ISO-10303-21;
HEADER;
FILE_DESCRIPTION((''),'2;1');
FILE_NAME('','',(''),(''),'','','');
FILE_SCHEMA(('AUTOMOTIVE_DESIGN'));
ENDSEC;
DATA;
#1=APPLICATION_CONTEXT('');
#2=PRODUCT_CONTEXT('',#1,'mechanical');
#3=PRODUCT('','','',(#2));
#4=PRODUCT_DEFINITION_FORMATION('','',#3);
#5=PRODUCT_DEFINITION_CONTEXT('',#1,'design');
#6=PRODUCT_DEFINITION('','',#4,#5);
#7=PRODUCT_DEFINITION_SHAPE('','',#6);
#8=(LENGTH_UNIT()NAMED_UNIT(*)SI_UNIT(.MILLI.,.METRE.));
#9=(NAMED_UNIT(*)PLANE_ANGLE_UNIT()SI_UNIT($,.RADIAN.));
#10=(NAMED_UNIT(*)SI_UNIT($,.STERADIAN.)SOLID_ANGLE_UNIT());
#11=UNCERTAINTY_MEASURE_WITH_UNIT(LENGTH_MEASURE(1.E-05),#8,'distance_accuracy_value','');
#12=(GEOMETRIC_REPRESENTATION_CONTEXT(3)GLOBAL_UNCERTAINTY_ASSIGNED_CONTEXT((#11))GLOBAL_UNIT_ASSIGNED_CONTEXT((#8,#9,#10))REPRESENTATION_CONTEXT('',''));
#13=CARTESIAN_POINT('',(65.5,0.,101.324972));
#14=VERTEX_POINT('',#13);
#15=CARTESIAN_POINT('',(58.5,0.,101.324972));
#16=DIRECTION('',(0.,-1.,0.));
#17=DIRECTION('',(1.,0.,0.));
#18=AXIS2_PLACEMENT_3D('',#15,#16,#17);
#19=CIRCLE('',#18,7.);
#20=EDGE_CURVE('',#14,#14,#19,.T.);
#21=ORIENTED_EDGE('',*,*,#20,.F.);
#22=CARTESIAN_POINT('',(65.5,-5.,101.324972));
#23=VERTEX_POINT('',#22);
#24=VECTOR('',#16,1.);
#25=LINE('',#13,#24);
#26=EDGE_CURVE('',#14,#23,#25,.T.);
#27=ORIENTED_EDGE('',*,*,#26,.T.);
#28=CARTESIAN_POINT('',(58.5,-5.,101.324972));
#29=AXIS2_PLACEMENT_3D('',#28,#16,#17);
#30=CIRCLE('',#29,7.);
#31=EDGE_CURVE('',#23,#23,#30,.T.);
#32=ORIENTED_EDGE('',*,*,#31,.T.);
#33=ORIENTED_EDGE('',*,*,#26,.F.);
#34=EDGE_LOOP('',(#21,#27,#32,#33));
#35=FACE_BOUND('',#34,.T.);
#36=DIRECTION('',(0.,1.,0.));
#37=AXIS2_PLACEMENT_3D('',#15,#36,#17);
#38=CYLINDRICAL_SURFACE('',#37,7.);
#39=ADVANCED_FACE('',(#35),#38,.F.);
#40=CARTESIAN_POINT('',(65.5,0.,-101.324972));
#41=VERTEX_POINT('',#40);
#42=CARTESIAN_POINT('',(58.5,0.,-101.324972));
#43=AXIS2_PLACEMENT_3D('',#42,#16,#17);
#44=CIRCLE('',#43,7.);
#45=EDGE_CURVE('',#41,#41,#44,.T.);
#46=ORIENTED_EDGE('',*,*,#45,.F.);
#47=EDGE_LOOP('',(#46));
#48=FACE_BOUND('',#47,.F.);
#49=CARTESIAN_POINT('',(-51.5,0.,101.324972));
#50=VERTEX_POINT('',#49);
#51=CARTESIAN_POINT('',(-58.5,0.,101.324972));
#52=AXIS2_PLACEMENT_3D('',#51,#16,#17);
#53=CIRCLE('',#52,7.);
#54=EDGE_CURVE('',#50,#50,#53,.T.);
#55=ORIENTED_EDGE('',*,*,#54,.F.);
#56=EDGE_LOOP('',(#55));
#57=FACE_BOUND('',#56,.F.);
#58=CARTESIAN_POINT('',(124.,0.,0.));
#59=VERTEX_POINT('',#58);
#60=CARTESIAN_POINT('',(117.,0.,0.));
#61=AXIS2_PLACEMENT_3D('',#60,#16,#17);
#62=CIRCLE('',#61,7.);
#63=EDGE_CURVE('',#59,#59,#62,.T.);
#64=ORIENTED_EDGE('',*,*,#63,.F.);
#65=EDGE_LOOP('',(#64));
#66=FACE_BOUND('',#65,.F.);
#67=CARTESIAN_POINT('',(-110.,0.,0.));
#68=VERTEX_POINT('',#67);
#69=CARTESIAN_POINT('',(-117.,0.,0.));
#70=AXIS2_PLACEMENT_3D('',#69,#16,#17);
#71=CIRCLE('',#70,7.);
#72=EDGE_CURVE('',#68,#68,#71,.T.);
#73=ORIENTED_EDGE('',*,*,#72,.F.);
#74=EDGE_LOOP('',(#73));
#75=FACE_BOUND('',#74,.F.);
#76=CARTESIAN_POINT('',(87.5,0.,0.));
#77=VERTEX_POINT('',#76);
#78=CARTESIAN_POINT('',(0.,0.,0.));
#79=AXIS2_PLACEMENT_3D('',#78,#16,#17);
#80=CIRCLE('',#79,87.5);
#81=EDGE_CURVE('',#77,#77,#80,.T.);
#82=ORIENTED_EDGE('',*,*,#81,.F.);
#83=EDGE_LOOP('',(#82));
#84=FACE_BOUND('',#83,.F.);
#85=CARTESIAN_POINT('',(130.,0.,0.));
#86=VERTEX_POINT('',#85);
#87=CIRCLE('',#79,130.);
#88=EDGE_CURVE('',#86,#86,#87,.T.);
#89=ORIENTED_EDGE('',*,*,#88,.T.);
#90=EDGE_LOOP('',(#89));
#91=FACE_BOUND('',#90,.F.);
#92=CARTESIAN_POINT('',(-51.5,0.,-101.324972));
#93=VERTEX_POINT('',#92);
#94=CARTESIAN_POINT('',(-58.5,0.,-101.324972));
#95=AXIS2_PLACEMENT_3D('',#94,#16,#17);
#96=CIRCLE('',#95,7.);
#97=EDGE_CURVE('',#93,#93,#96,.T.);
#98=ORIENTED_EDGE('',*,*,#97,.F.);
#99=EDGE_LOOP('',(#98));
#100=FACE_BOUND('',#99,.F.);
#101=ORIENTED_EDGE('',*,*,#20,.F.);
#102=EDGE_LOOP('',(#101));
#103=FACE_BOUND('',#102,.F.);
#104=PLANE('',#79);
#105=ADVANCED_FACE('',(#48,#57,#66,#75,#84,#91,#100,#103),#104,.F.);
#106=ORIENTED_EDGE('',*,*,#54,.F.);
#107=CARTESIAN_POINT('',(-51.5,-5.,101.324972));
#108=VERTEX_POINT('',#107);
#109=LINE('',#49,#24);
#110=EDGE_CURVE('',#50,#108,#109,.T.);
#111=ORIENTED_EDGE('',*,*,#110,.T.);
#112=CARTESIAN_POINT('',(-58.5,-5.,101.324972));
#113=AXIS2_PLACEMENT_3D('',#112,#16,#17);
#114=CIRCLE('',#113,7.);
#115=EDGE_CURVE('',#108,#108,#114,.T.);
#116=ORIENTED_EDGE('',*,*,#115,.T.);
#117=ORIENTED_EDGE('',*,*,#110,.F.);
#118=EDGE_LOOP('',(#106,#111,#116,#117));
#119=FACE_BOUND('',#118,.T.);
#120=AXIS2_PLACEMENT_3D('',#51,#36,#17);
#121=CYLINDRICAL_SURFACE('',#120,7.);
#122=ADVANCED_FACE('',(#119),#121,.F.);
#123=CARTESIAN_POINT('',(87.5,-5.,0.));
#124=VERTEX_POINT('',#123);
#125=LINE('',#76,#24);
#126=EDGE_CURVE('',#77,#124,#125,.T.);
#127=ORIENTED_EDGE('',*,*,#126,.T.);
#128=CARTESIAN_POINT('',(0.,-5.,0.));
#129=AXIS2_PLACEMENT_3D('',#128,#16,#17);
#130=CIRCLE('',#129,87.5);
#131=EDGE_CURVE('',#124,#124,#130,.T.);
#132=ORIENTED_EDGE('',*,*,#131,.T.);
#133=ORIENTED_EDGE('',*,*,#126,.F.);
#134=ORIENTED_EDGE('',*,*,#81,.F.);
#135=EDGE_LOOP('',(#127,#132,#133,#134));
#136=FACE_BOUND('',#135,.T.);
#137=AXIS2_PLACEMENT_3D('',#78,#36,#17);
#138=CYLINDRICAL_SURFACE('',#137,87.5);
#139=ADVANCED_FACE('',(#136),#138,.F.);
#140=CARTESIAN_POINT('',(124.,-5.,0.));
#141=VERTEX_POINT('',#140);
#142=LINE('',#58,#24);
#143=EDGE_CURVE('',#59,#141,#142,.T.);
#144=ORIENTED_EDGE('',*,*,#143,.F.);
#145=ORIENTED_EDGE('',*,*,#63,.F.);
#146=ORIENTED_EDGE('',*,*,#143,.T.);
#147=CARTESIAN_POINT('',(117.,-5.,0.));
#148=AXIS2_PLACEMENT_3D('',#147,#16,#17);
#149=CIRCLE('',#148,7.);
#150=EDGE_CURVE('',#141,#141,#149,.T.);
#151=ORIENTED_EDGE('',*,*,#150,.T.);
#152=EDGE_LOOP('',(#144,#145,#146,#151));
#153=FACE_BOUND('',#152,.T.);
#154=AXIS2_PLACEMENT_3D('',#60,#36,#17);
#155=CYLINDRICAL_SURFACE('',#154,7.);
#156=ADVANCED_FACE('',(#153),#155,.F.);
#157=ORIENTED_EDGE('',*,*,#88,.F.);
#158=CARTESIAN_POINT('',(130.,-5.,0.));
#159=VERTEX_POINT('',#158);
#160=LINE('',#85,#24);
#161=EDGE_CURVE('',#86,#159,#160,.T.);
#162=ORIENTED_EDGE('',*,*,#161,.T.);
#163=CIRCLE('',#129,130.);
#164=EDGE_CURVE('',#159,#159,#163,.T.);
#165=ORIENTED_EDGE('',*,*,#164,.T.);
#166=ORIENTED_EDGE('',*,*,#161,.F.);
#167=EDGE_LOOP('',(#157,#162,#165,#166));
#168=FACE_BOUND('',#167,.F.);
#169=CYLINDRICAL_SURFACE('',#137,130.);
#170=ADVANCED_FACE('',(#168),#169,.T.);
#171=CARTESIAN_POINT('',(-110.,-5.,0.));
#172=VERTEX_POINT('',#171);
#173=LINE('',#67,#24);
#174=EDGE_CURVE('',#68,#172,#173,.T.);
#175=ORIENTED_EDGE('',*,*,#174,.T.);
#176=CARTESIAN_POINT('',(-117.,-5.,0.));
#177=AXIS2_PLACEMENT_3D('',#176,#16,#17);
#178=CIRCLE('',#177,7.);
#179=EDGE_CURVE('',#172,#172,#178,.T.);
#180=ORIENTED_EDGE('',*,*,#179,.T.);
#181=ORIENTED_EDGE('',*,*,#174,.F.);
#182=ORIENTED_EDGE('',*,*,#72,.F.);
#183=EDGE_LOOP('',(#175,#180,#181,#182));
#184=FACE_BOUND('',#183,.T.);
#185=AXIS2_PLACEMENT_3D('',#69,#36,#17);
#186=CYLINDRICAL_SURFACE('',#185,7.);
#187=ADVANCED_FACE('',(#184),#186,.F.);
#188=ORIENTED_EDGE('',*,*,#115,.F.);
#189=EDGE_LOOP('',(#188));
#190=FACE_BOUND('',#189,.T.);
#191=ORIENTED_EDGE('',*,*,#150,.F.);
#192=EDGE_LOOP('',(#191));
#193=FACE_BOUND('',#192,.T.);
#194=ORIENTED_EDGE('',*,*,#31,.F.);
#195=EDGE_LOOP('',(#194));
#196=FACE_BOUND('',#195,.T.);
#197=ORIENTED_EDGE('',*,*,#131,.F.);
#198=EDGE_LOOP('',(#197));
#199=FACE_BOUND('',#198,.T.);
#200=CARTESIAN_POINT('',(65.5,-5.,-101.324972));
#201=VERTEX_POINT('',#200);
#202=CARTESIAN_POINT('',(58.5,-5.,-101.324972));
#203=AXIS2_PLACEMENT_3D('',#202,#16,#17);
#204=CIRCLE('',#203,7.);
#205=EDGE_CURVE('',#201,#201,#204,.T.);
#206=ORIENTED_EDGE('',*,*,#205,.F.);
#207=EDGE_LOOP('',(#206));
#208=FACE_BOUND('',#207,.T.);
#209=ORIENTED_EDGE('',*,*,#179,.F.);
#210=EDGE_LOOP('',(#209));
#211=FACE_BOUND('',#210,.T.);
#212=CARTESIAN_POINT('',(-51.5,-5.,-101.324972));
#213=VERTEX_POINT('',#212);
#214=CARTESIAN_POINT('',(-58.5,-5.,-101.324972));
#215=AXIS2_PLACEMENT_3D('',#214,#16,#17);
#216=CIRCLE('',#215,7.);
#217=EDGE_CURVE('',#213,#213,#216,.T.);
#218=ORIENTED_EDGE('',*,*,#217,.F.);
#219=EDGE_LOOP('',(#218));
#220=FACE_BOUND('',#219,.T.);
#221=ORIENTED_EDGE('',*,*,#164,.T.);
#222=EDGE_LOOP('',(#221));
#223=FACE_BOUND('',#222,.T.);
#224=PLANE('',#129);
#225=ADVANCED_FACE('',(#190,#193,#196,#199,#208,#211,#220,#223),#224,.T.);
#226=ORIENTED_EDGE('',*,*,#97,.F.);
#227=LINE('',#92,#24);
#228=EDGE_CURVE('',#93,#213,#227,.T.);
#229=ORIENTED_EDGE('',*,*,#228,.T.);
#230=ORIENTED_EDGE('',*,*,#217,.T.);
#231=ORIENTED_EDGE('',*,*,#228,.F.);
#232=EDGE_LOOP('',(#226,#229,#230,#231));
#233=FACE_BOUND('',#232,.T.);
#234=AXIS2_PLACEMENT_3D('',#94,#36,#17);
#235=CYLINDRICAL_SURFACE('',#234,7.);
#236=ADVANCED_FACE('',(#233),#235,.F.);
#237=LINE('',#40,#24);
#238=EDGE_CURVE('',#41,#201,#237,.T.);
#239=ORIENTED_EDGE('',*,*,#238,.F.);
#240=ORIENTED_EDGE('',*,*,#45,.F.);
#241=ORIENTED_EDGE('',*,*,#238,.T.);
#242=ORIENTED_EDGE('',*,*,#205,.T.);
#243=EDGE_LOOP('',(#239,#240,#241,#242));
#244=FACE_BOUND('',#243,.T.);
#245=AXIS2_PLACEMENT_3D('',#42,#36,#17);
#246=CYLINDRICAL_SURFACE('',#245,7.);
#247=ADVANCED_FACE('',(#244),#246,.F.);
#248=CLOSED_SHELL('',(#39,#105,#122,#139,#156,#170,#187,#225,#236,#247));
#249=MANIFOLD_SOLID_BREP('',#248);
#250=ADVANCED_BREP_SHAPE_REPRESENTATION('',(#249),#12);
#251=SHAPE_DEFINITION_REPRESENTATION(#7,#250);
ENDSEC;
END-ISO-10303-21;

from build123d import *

# Parameters (mm, degrees)
F0_R     = 130
F0_R_2   = 7
F0_R_3   = 87.5
F1_DEPTH = 5


with BuildPart() as f1:
    # F0 (on Front) → F1 (new body)
    with BuildSketch(Plane.XZ):
        Circle(F0_R)
        with Locations((-58.5, -101.324972)):
            Circle(F0_R_2, mode=Mode.SUBTRACT)
        with Locations((58.5, -101.324972)):
            Circle(F0_R_2, mode=Mode.SUBTRACT)
        with Locations((-117, 0)):
            Circle(F0_R_2, mode=Mode.SUBTRACT)
        with Locations((-58.5, 101.324972)):
            Circle(F0_R_2, mode=Mode.SUBTRACT)
        Circle(F0_R_3, mode=Mode.SUBTRACT)
        with Locations((117, 0)):
            Circle(F0_R_2, mode=Mode.SUBTRACT)
        with Locations((58.5, 101.324972)):
            Circle(F0_R_2, mode=Mode.SUBTRACT)
    extrude(amount=F1_DEPTH)


solid = f1.part
